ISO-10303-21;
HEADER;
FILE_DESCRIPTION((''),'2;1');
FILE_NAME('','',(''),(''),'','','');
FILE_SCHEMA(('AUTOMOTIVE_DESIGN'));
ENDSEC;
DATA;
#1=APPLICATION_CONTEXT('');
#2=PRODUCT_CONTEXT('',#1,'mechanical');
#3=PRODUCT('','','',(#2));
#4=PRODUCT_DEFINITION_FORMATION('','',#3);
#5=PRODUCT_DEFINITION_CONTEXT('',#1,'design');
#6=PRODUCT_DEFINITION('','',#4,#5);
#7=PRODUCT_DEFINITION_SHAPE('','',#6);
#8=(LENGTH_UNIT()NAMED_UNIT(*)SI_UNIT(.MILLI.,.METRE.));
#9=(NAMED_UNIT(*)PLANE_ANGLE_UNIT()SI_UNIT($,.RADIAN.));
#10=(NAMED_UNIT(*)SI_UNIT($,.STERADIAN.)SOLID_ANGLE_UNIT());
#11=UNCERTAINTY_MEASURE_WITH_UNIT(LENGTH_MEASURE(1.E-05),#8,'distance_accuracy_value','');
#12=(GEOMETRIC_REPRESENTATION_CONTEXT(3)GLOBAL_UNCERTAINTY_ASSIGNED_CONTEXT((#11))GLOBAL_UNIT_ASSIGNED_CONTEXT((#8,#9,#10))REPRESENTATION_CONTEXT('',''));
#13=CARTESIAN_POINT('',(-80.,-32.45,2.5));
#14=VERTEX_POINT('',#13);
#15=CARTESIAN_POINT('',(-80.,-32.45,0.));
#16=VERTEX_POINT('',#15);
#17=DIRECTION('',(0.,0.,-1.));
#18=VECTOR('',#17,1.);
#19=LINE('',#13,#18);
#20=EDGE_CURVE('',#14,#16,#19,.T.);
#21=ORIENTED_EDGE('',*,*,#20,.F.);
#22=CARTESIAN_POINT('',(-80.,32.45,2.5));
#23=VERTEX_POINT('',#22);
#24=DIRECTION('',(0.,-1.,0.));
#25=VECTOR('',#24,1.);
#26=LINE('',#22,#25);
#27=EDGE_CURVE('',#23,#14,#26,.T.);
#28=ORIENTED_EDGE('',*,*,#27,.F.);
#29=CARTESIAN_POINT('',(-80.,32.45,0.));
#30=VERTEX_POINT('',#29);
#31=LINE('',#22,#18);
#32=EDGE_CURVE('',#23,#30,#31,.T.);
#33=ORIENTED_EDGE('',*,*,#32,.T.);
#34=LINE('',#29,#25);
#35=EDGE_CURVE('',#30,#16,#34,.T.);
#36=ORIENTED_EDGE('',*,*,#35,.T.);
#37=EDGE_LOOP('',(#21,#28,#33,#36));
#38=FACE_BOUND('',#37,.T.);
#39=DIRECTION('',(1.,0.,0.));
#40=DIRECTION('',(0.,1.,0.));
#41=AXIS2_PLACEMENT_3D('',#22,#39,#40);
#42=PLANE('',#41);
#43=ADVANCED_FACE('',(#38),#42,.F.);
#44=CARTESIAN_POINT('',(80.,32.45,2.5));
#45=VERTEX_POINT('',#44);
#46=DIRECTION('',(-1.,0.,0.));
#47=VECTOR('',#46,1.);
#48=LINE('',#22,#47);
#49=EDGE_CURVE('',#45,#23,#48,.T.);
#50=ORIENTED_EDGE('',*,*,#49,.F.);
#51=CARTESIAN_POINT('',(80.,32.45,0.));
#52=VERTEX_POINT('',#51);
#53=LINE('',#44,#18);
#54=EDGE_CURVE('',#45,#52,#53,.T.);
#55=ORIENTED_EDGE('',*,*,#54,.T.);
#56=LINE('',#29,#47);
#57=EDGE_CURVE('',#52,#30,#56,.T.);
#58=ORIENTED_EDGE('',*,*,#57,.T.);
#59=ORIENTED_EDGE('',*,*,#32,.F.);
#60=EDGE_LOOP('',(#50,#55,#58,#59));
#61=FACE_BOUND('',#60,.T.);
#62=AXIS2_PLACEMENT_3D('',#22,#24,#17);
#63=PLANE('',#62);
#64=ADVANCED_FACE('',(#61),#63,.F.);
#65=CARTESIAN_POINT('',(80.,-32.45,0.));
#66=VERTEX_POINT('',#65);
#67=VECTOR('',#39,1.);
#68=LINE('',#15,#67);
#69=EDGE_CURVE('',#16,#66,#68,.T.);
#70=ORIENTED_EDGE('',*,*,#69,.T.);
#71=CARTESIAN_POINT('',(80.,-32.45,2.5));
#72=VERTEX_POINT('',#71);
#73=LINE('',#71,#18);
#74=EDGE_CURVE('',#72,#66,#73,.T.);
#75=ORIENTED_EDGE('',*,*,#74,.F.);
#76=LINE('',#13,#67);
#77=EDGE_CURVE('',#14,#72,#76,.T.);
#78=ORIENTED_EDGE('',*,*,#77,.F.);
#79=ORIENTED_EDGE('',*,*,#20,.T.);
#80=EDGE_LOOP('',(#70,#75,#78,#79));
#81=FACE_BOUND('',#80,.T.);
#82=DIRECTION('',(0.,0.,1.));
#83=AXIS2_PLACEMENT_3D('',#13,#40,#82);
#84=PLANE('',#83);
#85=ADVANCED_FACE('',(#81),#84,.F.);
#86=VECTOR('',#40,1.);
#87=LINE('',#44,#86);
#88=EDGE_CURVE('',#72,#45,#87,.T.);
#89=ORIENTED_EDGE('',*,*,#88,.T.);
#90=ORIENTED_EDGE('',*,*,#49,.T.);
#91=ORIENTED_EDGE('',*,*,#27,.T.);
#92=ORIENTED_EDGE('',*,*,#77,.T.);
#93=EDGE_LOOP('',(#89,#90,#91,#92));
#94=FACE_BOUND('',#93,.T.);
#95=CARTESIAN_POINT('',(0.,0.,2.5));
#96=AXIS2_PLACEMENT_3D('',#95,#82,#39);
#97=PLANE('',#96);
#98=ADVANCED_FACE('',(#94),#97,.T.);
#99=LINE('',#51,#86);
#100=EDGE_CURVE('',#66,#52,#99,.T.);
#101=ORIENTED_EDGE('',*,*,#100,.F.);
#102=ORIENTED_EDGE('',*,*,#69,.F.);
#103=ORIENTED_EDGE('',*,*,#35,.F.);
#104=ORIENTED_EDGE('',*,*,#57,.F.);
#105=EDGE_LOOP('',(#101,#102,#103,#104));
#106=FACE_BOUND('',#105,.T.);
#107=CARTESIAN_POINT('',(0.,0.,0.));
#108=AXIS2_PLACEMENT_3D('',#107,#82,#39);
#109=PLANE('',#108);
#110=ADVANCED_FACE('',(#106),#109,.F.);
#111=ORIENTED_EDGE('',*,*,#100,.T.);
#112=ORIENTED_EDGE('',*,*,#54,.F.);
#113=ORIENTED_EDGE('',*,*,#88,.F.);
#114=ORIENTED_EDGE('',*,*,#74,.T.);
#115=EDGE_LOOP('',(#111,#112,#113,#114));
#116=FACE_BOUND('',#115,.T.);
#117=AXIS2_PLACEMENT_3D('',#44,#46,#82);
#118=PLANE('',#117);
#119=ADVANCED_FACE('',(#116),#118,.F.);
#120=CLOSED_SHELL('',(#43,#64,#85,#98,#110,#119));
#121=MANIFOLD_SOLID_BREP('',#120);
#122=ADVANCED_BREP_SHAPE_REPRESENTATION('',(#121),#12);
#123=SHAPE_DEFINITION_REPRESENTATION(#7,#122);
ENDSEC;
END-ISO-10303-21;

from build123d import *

# Parameters (mm, degrees)
CROQUIS1_W              = 160
CROQUIS1_H              = 64.9
SALIENTE_EXTRUIR1_DEPTH = 2.5


with BuildPart() as part:
    # Croquis1 → Saliente-Extruir1 (new body)
    with BuildSketch(Plane.XY):
        Rectangle(CROQUIS1_W, CROQUIS1_H)
    extrude(amount=SALIENTE_EXTRUIR1_DEPTH)


solid = part.part
